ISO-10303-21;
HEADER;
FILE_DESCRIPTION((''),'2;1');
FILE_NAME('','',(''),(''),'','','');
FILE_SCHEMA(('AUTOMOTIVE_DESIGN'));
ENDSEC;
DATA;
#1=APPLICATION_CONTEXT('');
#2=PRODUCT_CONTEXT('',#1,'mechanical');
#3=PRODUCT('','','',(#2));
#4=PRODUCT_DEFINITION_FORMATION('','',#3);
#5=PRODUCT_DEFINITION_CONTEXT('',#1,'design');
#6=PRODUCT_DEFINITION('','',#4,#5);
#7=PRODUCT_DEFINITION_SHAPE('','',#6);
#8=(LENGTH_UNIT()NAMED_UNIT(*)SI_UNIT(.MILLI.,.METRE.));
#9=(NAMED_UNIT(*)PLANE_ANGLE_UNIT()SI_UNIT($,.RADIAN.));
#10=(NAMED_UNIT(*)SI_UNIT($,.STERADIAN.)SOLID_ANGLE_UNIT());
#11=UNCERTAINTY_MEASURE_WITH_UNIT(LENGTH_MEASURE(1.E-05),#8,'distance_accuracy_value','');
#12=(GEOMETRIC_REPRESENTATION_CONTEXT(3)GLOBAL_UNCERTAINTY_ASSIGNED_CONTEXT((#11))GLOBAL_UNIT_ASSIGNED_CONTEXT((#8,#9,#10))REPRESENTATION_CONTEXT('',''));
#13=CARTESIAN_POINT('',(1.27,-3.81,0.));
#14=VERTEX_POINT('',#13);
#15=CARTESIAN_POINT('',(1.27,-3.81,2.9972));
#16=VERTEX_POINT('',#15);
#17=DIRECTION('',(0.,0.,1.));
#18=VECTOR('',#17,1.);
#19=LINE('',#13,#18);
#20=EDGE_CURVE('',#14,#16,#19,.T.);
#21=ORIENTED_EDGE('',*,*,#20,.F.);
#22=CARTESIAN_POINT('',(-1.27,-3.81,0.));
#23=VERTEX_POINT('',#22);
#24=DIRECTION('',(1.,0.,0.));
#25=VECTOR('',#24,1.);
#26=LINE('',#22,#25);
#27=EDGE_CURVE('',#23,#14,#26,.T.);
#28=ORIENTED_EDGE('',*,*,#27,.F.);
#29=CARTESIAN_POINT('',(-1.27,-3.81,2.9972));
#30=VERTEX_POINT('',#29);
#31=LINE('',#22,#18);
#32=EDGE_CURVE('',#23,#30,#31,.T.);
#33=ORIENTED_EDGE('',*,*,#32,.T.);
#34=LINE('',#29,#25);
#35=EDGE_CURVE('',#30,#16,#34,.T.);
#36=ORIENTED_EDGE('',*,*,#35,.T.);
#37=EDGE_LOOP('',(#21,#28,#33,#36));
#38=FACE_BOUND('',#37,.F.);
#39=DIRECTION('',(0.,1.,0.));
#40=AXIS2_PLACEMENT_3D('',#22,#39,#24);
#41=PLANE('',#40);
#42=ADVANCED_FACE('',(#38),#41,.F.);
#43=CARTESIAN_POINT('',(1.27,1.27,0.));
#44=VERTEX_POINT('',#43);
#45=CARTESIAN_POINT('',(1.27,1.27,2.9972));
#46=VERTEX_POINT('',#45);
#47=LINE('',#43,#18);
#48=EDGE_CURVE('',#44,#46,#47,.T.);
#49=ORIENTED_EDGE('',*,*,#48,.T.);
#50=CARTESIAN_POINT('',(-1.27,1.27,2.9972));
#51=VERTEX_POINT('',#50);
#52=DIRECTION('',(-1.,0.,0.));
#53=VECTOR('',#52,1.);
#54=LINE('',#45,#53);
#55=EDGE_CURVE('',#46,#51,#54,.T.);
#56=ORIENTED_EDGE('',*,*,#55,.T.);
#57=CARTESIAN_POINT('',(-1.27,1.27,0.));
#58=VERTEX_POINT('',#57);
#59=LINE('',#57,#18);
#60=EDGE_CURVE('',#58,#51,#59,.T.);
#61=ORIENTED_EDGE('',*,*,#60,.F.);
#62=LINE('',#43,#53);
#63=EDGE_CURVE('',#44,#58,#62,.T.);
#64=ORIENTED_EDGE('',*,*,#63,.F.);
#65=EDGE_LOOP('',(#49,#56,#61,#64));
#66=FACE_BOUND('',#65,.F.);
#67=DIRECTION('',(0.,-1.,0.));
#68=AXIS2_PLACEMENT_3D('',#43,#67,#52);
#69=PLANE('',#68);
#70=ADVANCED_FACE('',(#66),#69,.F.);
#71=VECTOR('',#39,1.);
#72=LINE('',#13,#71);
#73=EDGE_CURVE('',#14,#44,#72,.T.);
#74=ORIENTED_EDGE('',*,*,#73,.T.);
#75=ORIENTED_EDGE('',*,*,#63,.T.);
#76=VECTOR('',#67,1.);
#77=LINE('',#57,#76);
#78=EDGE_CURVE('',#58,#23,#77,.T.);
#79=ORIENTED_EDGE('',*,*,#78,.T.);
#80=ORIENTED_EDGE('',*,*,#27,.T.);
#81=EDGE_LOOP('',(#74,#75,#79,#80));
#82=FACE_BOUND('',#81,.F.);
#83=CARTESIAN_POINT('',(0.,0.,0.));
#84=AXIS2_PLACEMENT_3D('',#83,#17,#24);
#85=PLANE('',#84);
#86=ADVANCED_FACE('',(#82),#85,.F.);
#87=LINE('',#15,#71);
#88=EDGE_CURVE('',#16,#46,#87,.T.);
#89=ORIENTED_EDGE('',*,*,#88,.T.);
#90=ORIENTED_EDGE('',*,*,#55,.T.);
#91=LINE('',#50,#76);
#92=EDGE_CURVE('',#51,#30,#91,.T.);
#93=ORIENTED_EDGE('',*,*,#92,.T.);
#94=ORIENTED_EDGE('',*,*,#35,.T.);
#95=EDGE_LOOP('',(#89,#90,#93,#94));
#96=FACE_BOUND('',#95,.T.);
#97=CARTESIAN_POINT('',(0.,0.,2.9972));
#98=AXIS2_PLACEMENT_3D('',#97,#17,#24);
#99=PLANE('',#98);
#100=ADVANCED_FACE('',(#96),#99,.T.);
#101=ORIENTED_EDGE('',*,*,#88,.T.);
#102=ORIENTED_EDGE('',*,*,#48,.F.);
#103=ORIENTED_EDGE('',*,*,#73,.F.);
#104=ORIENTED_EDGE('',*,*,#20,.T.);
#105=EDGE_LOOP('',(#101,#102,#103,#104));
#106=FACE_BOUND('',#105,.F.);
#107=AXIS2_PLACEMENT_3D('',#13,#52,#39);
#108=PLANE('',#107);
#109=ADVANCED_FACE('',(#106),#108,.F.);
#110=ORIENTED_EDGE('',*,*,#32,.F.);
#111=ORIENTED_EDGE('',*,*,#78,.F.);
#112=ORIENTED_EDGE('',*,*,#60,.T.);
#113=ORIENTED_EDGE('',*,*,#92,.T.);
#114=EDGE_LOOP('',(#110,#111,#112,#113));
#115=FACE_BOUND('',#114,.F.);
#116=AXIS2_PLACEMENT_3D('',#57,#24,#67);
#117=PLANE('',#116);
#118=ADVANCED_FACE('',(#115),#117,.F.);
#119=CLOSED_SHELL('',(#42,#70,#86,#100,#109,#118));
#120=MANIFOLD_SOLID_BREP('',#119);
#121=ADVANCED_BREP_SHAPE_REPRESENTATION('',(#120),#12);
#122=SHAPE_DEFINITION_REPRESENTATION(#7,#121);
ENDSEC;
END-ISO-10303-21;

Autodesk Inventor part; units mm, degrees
ref_plane "YZ Plane" through (0, 0, 0) normal (1, 0, 0) x (0, 1, 0)
ref_plane "XZ Plane" through (0, 0, 0) normal (0, 1, 0) x (-1, 0, 0)
ref_plane "XY Plane" through (0, 0, 0) normal (0, 0, 1) x (1, 0, 0)
sketch "2, 2WP_12" plane through (0, 0, 0) normal (0, 0, 1) x (1, 0, 0)
  line L0 (-1.27, 1.27) -> (-1.27, -3.81)
  line L1 (-1.27, -3.81) -> (1.27, -3.81)
  line L2 (1.27, -3.81) -> (1.27, 1.27)
  line L3 (1.27, 1.27) -> (-1.27, 1.27)
extrude "Extrusion1" add sketch "2, 2WP_12" along normal blind 2.9972
properties part number "2WP"
